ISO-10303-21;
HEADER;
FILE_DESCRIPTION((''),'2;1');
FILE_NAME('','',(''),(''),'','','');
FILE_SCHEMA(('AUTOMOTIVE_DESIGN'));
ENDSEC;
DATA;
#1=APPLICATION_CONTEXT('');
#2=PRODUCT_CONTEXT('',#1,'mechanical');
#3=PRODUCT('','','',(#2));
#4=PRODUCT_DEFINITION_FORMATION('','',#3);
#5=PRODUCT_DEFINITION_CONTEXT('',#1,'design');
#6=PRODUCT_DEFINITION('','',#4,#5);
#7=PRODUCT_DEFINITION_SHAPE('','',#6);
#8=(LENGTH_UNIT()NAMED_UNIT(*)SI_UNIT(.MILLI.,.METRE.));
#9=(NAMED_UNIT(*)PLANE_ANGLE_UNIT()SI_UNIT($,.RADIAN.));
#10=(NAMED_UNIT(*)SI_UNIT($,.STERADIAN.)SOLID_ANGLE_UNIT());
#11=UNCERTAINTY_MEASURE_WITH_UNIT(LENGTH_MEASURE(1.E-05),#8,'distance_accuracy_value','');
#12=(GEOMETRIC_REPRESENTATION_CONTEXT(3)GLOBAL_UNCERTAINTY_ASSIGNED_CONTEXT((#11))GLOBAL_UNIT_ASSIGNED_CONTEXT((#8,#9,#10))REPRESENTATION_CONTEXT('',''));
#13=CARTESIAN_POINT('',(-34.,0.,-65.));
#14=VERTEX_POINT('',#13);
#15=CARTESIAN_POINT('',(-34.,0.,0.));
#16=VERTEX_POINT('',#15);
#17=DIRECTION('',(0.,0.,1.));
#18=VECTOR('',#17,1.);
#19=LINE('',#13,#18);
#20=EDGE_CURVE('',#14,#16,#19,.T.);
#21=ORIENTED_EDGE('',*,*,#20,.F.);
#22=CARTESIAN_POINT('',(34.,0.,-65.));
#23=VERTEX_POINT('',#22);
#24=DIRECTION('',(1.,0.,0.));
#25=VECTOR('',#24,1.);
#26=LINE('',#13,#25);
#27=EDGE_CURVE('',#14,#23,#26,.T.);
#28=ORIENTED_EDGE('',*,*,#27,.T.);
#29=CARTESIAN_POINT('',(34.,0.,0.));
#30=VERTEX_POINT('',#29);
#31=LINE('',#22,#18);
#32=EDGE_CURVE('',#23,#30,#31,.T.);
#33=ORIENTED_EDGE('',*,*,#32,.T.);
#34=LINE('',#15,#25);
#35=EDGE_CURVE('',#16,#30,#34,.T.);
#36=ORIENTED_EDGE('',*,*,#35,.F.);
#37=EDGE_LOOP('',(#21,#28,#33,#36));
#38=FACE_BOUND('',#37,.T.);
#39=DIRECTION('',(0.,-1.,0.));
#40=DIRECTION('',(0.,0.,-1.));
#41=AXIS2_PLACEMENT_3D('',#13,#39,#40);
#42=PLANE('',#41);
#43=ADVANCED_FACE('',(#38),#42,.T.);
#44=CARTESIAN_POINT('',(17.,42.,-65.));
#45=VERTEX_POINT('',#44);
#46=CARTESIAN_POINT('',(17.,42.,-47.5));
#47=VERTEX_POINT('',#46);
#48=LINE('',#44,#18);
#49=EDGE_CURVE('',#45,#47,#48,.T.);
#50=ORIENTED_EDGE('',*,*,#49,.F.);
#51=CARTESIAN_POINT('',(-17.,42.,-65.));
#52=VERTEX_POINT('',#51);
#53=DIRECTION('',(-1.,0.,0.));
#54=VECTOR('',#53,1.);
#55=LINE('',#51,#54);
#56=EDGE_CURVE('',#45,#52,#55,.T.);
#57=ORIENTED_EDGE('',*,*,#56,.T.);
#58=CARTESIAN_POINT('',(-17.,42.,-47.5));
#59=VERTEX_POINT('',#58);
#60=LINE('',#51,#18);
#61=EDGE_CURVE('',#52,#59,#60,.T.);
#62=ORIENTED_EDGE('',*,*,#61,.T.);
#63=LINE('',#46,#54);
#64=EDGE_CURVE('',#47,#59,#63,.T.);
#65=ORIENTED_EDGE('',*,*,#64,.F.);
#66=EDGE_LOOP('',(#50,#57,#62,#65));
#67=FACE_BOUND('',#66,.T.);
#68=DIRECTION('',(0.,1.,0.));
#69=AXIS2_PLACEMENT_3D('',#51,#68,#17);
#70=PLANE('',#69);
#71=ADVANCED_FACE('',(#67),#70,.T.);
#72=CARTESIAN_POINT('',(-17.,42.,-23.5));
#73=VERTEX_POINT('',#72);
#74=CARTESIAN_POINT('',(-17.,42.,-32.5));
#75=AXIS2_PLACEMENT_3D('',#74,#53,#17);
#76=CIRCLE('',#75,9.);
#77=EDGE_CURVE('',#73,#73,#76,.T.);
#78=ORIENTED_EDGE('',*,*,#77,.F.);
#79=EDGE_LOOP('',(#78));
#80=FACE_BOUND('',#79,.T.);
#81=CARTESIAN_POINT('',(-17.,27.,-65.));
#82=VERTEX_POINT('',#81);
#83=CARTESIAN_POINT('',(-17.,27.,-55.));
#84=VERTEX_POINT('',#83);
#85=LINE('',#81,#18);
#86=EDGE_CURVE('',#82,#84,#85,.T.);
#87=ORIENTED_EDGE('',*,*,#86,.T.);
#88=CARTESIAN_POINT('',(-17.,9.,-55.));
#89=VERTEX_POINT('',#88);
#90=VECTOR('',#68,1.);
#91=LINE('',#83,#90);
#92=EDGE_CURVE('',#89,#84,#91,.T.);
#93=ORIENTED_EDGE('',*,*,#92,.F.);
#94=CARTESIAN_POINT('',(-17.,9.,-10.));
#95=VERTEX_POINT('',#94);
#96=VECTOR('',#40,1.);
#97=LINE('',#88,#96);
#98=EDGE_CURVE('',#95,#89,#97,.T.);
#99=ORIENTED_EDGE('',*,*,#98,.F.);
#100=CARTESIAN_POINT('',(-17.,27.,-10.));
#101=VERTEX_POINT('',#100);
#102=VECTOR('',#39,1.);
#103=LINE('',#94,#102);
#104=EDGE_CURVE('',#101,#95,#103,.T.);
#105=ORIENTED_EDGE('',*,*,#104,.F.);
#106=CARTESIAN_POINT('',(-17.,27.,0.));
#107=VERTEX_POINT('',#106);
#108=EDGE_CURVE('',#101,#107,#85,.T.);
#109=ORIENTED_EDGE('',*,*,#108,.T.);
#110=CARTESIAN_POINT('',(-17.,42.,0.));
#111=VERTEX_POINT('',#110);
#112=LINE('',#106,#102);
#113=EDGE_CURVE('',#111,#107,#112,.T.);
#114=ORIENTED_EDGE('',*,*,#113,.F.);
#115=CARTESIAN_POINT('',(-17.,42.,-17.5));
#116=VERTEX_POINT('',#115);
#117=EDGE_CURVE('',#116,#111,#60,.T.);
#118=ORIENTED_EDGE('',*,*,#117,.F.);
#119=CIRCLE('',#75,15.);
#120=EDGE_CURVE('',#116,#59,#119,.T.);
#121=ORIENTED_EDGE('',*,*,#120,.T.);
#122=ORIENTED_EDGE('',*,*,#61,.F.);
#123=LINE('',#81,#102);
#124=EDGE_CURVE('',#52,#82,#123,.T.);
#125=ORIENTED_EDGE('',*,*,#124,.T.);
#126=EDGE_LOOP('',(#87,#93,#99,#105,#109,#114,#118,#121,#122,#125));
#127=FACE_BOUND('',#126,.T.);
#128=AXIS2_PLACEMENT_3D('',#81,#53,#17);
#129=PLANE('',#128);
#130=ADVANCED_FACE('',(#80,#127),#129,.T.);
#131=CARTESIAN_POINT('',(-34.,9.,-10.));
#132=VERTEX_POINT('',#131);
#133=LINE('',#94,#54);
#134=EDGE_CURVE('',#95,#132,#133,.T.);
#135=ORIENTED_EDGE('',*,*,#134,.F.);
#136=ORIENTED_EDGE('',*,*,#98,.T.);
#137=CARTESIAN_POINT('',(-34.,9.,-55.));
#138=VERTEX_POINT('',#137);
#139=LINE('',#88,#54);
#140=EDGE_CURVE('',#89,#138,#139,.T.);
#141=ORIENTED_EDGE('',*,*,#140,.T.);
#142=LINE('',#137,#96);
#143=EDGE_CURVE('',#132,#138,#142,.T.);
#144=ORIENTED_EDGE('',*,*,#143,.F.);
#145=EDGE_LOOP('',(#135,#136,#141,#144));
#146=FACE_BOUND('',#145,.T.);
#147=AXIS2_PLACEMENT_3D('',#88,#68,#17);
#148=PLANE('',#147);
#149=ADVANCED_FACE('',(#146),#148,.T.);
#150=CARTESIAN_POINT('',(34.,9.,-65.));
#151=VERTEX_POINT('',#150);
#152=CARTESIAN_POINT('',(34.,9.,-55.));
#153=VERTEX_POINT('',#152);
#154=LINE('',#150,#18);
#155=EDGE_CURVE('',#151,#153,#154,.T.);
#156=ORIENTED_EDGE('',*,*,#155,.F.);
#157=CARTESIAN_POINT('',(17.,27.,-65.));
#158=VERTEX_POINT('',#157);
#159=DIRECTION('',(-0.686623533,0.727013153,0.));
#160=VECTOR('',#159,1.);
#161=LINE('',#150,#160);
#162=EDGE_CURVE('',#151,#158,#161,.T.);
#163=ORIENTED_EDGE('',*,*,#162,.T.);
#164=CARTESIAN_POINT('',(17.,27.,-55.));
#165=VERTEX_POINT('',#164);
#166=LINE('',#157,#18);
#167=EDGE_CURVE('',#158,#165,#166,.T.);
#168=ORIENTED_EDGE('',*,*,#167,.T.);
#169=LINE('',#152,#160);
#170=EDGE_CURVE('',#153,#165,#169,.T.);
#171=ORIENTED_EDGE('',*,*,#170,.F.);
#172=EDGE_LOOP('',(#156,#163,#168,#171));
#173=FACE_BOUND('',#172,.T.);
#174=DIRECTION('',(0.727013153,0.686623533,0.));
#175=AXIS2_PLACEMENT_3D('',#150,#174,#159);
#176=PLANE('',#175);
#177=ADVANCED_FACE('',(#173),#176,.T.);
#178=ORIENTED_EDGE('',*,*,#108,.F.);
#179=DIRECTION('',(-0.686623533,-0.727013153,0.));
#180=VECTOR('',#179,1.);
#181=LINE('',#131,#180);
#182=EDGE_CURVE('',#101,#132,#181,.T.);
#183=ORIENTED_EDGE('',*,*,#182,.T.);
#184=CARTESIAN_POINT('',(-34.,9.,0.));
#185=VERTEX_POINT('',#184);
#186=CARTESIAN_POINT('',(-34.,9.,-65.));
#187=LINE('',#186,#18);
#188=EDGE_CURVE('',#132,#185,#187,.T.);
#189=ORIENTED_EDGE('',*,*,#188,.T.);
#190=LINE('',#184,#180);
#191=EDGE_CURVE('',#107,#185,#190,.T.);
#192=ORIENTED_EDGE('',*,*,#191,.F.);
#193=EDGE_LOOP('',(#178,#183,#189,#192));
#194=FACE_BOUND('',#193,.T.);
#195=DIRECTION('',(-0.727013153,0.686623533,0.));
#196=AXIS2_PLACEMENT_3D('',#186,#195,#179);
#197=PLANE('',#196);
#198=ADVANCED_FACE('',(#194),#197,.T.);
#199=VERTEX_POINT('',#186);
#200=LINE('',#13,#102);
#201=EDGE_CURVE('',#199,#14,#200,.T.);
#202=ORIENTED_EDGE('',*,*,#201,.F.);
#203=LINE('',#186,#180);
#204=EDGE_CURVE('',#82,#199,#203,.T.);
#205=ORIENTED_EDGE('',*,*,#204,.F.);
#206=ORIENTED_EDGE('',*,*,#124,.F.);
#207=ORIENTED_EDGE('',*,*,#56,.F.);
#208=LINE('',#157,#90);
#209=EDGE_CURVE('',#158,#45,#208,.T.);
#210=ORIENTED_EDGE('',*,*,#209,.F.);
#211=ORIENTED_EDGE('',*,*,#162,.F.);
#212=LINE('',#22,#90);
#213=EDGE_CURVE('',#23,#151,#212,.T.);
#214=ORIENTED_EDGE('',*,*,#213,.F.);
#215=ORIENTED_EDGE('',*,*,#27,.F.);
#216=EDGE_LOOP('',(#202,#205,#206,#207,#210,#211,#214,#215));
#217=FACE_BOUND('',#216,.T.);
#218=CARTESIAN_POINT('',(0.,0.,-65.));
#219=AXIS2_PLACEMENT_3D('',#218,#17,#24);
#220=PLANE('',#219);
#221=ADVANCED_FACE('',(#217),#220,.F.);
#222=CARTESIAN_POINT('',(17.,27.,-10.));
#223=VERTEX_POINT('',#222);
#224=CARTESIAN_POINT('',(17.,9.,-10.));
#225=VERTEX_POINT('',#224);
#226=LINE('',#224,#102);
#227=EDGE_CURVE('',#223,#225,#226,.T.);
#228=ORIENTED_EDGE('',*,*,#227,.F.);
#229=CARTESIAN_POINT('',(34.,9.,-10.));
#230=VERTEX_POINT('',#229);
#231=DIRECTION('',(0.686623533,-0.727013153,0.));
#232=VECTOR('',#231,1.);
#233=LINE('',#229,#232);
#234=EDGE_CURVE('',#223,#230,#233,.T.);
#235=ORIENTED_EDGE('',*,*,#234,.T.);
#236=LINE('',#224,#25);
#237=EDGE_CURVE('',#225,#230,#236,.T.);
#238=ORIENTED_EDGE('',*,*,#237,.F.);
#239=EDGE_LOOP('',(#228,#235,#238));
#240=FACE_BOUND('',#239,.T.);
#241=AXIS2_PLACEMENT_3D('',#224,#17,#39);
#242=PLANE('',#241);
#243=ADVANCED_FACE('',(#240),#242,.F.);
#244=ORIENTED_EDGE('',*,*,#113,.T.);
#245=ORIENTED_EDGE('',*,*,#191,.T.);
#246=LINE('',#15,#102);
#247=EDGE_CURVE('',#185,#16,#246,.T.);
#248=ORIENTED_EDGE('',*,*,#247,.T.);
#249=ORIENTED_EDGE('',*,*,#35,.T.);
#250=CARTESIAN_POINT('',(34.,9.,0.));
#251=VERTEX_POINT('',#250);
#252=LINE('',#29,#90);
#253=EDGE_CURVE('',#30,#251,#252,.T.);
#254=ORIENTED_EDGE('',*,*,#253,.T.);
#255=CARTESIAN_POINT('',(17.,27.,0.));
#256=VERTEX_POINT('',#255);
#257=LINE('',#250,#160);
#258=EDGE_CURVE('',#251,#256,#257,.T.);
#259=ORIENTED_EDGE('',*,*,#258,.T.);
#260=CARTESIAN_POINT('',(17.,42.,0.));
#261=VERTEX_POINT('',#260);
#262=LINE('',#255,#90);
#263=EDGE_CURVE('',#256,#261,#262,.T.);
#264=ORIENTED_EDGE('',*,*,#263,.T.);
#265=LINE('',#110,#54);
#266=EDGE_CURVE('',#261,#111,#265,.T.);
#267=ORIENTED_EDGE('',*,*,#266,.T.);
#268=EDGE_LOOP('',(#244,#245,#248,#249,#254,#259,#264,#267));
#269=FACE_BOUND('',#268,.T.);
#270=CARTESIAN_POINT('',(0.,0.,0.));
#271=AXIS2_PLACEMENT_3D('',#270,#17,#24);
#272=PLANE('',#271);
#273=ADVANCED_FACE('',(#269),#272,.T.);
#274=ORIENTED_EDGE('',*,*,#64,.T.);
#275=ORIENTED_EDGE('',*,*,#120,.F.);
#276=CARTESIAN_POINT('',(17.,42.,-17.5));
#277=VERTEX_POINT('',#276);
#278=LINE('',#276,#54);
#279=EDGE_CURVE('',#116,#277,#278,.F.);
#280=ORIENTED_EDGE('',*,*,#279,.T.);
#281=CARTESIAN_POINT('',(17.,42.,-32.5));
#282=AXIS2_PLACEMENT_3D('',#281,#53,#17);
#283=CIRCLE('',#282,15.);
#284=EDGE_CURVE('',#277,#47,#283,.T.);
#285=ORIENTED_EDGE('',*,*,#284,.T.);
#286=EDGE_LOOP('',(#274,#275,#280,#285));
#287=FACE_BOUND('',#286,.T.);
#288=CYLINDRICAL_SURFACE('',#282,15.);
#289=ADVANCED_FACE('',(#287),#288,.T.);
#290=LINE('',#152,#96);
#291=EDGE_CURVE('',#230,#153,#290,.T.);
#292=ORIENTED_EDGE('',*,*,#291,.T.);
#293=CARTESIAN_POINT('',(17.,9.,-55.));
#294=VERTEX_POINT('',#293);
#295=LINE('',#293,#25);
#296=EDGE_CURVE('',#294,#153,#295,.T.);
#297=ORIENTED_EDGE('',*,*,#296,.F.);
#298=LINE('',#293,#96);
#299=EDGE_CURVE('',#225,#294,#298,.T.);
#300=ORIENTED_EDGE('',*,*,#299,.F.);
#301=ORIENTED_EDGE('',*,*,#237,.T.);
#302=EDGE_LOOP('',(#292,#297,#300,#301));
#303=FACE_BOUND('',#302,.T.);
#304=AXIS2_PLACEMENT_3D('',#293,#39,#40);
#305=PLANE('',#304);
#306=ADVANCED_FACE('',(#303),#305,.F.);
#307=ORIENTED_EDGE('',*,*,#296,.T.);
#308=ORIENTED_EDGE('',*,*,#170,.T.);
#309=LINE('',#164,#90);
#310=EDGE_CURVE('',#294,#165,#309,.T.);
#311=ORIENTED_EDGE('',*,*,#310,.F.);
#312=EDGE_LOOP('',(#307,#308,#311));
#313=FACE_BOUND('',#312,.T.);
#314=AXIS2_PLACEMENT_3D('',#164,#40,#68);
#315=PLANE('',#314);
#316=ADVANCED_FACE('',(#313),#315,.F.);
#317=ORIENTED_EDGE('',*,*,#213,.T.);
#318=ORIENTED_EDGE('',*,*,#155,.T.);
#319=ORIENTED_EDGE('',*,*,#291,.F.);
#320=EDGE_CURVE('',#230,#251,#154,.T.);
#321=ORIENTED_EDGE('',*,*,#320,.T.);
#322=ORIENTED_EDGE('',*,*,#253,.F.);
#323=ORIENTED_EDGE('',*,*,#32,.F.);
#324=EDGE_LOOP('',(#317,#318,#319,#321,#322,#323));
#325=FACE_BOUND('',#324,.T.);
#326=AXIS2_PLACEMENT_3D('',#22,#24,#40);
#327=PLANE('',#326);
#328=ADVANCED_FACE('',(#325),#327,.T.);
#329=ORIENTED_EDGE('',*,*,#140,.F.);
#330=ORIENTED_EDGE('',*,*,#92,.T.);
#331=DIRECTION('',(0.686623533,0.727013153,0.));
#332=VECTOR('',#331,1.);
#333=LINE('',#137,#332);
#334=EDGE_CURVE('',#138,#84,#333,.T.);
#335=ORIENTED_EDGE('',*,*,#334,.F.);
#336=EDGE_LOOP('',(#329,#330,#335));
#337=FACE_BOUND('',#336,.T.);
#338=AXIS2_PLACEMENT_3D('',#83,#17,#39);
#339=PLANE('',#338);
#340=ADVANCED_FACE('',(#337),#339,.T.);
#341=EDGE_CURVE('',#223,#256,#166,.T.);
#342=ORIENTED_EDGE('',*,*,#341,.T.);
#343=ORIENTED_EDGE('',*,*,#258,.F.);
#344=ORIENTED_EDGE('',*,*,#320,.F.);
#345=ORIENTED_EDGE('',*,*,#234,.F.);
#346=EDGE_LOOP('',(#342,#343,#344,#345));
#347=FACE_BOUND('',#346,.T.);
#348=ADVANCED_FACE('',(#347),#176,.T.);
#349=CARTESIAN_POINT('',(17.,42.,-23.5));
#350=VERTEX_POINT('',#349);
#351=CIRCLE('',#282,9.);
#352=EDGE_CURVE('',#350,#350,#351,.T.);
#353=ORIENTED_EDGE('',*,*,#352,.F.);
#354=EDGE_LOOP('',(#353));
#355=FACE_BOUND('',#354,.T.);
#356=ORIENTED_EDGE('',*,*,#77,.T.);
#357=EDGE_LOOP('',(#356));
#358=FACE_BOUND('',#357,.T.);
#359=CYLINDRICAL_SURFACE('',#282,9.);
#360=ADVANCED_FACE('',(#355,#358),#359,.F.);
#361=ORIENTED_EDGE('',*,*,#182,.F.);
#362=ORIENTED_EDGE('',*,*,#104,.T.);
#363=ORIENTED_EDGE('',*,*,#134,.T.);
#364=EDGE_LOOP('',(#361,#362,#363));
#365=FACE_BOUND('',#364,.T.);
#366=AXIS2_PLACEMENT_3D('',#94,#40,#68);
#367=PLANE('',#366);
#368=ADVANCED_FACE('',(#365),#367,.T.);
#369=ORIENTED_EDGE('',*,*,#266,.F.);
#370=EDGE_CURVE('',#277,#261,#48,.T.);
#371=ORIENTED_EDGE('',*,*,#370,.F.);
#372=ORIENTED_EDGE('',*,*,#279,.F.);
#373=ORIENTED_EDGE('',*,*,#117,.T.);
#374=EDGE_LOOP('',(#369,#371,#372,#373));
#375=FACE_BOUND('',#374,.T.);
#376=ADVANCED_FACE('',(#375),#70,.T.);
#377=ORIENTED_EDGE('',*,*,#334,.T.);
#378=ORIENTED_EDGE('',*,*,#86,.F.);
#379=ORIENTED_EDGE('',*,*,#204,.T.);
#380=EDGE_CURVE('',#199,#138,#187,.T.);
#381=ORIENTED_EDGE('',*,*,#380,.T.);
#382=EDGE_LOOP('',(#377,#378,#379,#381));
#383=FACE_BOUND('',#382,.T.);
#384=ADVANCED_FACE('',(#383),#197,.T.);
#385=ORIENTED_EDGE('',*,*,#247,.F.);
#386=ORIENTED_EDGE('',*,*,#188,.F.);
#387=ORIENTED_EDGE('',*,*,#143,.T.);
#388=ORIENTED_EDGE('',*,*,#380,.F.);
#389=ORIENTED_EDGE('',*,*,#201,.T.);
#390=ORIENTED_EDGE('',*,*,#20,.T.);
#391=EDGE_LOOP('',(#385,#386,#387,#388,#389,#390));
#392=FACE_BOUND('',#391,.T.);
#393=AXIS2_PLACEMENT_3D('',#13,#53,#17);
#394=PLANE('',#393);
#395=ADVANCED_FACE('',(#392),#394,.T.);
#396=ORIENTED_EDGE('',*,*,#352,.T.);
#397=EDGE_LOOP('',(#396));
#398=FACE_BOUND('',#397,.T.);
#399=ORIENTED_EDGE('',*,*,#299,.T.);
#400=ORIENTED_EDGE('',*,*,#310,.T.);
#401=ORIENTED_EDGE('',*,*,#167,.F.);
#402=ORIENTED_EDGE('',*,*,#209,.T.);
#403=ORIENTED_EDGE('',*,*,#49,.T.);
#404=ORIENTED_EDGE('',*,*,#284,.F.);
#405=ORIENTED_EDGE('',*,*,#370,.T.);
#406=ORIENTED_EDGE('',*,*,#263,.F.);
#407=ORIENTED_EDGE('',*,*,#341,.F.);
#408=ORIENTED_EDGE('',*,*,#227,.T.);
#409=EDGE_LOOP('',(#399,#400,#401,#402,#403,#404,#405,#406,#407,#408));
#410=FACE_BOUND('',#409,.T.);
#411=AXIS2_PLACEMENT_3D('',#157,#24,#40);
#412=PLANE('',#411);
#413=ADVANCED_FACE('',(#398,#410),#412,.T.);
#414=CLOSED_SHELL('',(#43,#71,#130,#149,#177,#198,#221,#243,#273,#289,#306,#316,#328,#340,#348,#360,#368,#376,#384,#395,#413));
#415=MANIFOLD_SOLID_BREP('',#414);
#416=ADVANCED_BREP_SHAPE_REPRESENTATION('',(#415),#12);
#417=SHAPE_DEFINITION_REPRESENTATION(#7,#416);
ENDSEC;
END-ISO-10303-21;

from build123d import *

# Parameters (mm, degrees)
BOSS_EXTRUDE1_DEPTH = 65
SKETCH2_R           = 15
BOSS_EXTRUDE2_DEPTH = 34
SKETCH3_R           = 9
CUT_EXTRUDE1_DEPTH  = 34
SKETCH4_W           = 45
SKETCH4_H           = 18
CUT_EXTRUDE2_DEPTH  = 17


with BuildPart() as part:
    # Sketch1 → Boss-Extrude1 (new body)
    with BuildSketch(Plane.XY):
        Polygon((-34, 0), (-34, 9), (-17, 27), (-17, 42), (17, 42), (17, 27), (34, 9), (34, 0), align=None)
    extrude(amount=-BOSS_EXTRUDE1_DEPTH)

    # Sketch2 → Boss-Extrude2 (add)
    with BuildSketch(Plane.ZY.offset(17)):
        with Locations((-32.5, 42)):
            Circle(SKETCH2_R)
    extrude(amount=-BOSS_EXTRUDE2_DEPTH)

    # Sketch3 → Cut-Extrude1 (cut)
    with BuildSketch(Plane.ZY.offset(17)):
        with Locations((-32.5, 42)):
            Circle(SKETCH3_R)
    extrude(amount=-CUT_EXTRUDE1_DEPTH, mode=Mode.SUBTRACT)

    # Sketch4 → Cut-Extrude2 (cut)
    with BuildSketch(Plane(origin=(-34, 0, 0), x_dir=(0, 0, -1), z_dir=(1, 0, 0))):
        with Locations((32.5, 18)):
            Rectangle(SKETCH4_W, SKETCH4_H)
    cut_extrude2 = extrude(amount=CUT_EXTRUDE2_DEPTH, mode=Mode.SUBTRACT)

    # Mirror1: Cut-Extrude2 across plane
    add(cut_extrude2.mirror(Plane(origin=(0, 0, 0), x_dir=(0, 0, 1), z_dir=(1, 0, 0))), mode=Mode.SUBTRACT)


solid = part.part
